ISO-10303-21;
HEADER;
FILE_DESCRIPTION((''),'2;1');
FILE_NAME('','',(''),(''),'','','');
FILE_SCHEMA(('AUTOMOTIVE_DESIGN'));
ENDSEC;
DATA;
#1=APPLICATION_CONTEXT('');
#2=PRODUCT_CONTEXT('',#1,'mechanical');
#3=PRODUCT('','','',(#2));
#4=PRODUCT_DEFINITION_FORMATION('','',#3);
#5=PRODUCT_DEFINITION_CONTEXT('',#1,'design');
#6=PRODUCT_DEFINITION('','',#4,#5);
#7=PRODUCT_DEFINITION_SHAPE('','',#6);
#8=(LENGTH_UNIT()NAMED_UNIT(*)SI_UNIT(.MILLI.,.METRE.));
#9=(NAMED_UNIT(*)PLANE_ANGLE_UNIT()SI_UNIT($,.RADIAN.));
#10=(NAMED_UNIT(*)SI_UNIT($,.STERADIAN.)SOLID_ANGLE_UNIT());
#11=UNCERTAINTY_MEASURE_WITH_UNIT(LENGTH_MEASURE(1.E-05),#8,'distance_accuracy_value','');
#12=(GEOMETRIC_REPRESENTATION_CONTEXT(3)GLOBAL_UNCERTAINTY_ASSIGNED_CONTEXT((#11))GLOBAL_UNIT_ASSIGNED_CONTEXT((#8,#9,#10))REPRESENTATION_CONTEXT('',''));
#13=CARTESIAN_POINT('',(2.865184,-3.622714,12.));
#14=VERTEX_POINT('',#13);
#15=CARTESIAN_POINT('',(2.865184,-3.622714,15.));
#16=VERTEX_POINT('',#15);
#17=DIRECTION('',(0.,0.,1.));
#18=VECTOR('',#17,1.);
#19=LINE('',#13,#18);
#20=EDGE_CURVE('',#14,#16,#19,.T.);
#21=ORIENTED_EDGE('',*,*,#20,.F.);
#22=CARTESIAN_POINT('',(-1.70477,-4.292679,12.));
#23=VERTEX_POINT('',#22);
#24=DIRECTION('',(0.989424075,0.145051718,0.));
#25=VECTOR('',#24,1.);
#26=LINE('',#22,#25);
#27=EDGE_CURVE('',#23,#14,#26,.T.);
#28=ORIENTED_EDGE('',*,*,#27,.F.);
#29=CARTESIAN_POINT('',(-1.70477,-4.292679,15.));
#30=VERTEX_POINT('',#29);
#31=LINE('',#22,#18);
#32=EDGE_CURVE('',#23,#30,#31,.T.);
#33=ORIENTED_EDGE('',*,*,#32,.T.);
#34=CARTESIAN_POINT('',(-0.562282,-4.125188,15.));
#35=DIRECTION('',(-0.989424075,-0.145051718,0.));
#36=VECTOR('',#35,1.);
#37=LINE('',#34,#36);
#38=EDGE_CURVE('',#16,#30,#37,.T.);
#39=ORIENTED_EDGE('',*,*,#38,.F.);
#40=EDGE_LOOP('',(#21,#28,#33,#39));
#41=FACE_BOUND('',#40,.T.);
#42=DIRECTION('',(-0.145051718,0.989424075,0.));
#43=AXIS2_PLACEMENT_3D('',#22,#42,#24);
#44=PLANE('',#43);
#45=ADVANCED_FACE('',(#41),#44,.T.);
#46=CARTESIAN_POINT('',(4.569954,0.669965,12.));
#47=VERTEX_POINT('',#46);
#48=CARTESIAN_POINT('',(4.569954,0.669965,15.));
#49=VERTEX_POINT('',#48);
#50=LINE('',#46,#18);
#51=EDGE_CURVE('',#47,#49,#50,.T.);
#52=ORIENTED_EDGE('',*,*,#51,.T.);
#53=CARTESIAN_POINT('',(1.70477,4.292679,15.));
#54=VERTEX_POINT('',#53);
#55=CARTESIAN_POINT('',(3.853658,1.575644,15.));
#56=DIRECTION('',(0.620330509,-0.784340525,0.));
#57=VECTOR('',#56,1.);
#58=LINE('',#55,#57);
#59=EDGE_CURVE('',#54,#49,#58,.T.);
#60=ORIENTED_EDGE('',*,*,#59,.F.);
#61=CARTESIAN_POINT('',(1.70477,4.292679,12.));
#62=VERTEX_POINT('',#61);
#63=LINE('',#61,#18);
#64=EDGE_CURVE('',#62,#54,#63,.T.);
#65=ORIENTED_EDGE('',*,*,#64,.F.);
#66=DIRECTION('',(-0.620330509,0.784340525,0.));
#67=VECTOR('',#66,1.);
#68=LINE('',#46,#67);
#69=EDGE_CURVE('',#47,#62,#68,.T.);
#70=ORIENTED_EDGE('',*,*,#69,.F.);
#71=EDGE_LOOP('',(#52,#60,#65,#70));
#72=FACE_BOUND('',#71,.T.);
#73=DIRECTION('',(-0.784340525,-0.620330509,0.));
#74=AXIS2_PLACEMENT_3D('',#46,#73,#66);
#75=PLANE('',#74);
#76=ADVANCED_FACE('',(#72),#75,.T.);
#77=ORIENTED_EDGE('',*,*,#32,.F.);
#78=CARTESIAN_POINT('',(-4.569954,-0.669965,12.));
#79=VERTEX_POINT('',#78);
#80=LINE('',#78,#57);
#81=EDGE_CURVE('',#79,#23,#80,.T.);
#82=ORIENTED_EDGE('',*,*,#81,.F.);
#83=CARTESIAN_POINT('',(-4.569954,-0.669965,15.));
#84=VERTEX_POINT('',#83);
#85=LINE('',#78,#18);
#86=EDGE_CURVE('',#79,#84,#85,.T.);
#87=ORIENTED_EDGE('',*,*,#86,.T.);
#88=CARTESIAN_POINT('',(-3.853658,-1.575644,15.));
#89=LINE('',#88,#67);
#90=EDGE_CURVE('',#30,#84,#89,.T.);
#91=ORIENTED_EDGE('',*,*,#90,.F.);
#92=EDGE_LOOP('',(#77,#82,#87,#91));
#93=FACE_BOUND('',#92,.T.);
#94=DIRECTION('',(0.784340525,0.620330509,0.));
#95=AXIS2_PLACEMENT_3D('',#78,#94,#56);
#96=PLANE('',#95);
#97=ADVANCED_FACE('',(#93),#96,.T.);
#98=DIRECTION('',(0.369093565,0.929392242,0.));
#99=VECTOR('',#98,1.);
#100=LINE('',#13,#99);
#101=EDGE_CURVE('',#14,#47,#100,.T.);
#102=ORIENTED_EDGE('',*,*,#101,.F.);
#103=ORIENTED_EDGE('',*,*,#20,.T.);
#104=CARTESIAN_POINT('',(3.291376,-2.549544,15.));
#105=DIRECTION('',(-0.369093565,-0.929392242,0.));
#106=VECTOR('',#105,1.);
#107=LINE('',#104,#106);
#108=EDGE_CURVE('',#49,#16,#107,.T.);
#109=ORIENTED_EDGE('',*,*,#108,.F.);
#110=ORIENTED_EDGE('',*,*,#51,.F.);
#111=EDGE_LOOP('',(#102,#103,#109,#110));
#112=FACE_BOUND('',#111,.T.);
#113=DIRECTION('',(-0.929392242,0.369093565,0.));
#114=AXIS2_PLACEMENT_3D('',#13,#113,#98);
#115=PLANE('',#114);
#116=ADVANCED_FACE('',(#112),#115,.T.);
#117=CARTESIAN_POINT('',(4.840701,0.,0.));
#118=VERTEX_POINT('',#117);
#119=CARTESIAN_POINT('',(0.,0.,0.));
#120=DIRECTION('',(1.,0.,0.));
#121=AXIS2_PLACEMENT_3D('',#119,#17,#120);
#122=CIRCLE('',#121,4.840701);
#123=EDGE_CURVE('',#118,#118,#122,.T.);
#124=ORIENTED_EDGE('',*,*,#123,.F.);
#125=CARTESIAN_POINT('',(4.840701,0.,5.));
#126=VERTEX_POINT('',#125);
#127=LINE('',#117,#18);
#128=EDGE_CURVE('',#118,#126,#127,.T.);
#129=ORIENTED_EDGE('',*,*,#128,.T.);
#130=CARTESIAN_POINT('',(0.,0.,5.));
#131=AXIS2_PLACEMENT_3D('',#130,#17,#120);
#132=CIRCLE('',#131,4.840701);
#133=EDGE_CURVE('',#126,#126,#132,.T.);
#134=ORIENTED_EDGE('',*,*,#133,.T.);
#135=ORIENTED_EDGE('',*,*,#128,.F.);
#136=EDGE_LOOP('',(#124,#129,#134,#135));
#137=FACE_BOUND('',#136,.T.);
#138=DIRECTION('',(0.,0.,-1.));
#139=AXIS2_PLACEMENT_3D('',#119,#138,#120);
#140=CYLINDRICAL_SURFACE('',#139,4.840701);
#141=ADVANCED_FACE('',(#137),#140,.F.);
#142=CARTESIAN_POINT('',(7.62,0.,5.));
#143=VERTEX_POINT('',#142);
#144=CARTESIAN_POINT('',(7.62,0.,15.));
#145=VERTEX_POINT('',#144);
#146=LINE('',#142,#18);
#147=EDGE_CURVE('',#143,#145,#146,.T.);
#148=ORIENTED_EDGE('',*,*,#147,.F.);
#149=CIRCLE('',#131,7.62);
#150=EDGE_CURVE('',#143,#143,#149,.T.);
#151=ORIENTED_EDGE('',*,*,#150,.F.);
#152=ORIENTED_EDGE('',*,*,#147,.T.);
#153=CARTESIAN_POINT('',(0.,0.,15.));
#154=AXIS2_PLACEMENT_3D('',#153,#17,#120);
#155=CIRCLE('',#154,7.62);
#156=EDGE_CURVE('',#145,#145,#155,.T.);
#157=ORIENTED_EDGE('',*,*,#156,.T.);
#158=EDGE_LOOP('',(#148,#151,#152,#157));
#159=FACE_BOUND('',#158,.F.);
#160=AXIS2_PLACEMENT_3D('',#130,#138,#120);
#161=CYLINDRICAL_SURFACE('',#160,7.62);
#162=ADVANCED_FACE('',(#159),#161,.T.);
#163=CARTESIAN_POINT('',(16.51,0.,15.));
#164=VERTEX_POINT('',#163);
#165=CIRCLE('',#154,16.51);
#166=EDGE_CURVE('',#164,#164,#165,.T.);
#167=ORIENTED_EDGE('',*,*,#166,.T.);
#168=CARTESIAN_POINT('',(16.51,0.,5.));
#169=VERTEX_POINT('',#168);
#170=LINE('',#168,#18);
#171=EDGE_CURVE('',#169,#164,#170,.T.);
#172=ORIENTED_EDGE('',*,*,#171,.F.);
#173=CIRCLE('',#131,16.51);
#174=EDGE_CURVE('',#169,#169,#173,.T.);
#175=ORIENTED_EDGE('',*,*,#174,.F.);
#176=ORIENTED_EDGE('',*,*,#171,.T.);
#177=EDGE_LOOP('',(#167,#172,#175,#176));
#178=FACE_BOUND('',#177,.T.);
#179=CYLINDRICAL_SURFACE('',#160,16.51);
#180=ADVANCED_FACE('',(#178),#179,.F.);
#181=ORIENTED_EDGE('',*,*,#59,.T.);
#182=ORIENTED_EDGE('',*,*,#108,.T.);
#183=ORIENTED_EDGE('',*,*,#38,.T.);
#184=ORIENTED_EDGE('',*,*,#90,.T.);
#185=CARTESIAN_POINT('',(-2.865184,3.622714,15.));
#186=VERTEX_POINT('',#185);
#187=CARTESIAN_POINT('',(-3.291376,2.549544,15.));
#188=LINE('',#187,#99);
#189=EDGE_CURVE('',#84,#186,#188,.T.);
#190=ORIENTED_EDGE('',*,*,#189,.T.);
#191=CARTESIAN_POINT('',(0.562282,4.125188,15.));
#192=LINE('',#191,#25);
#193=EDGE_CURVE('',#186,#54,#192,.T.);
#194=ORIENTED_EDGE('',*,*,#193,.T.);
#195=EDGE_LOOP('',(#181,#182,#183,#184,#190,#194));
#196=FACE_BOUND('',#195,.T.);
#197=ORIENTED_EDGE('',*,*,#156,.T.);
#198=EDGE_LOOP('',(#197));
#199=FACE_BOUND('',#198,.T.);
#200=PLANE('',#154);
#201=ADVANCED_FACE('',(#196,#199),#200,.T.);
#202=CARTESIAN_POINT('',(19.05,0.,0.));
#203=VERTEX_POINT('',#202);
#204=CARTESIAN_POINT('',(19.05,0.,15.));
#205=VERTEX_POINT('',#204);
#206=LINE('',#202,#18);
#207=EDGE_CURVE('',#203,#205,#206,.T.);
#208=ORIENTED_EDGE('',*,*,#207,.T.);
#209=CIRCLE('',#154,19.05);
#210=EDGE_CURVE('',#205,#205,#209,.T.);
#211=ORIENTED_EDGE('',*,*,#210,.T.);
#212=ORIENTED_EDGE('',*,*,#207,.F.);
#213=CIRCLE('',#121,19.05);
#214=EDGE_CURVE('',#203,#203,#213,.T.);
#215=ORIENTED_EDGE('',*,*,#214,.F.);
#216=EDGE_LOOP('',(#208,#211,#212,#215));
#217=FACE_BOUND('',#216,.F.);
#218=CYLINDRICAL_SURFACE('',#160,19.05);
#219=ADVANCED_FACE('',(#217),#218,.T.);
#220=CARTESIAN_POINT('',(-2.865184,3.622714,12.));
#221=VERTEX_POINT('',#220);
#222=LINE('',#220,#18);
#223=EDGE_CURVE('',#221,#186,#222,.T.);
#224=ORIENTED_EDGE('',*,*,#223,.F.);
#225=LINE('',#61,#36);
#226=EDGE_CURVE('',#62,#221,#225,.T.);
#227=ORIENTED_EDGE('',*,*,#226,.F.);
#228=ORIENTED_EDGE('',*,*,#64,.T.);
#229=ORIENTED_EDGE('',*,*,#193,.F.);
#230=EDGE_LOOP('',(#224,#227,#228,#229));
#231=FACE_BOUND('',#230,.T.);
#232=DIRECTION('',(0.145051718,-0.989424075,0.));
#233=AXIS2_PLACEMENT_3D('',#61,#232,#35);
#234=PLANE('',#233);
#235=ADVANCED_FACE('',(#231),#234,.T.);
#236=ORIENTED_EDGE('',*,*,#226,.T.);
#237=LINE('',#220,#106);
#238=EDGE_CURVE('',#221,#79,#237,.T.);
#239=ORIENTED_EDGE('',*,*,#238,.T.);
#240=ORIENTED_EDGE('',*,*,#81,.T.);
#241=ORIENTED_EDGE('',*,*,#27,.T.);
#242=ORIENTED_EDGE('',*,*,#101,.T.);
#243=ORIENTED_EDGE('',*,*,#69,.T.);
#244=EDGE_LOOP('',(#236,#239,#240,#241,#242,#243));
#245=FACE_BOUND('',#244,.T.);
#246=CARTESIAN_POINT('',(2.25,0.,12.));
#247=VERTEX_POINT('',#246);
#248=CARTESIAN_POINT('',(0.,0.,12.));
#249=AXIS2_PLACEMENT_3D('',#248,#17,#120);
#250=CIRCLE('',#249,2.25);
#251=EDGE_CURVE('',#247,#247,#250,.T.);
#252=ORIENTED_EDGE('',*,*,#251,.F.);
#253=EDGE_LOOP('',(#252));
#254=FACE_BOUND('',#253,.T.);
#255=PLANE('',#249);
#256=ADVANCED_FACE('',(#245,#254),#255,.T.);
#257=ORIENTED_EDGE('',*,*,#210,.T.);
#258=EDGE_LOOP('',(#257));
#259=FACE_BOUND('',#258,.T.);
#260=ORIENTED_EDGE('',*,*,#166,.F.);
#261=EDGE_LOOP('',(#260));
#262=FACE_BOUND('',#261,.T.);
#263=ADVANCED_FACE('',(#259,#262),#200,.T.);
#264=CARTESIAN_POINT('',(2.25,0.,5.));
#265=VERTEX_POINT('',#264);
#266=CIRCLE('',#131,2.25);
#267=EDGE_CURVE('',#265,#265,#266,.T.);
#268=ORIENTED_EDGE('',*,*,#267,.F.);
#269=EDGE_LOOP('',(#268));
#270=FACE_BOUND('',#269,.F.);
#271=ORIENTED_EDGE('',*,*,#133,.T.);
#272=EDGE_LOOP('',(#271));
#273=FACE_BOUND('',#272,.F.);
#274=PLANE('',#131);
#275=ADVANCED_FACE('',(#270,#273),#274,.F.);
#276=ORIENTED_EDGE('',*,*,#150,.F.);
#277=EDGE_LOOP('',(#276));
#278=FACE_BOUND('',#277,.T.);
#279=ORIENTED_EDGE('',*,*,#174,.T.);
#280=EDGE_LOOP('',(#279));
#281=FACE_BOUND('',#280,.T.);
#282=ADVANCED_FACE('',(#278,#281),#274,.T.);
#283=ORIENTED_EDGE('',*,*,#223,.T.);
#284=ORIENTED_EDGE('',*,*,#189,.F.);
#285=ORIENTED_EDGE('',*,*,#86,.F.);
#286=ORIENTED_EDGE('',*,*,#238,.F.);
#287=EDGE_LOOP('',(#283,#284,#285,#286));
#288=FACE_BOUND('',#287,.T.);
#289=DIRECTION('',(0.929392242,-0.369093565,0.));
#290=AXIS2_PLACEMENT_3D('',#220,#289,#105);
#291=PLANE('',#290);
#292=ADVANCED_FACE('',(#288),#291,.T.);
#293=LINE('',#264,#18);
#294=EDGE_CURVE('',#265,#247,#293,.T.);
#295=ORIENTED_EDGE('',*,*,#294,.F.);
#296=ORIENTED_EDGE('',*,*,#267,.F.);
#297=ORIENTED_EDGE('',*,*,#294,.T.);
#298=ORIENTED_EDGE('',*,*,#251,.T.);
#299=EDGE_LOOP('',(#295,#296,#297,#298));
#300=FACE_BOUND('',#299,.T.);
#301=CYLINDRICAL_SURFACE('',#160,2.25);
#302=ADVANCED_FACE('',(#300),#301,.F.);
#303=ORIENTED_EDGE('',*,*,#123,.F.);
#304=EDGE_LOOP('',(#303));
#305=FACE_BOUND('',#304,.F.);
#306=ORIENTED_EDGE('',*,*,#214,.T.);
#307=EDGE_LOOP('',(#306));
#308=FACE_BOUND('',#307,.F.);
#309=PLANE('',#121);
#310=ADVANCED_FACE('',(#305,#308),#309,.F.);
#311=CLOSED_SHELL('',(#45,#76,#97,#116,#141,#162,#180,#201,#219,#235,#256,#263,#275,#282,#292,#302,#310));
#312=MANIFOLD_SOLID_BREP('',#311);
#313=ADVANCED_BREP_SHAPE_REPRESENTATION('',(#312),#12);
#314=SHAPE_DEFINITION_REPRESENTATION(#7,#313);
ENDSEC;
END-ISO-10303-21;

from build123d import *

# Parameters (mm, degrees)
F0_R     = 19.05
F0_R_2   = 16.51
F0_R_3   = 7.62
F0_R_4   = 4.8407005088
F1_DEPTH = 5
F2_START = 5
F0_R_5   = 2.25
F2_DEPTH = 10
F3_START = 12
F3_DEPTH = 8


with BuildPart() as f1:
    # F0 (on Top) → F1 (new body)
    with BuildSketch(Plane.XY):
        Circle(F0_R)
        Circle(F0_R_2, mode=Mode.SUBTRACT)
        Circle(F0_R_2)
        Circle(F0_R_3, mode=Mode.SUBTRACT)
        Circle(F0_R_3)
        Circle(F0_R_4, mode=Mode.SUBTRACT)
    extrude(amount=F1_DEPTH)

    # F0 (on Top) → F2 (join)
    with BuildSketch(Plane.XY.offset(F2_START)):
        Circle(F0_R)
        Circle(F0_R_2, mode=Mode.SUBTRACT)
        Circle(F0_R_3)
        Circle(F0_R_4, mode=Mode.SUBTRACT)
        Circle(F0_R_4)
        Polygon((-2.865183893, 3.6227137055), (1.7047701531, 4.2926788907), (4.5699540462, 0.6699651851), (2.865183893, -3.6227137055), (-1.7047701531, -4.2926788907), (-4.5699540462, -0.6699651851), align=None, mode=Mode.SUBTRACT)
        Polygon((4.5699540462, 0.6699651851), (1.7047701531, 4.2926788907), (-2.865183893, 3.6227137055), (-4.5699540462, -0.6699651851), (-1.7047701531, -4.2926788907), (2.865183893, -3.6227137055), align=None)
        Circle(F0_R_5, mode=Mode.SUBTRACT)
    extrude(amount=F2_DEPTH)

    # F0 (on Top) → F3 (cut)
    with BuildSketch(Plane.XY.offset(F3_START)):
        Polygon((4.5699540462, 0.6699651851), (1.7047701531, 4.2926788907), (-2.865183893, 3.6227137055), (-4.5699540462, -0.6699651851), (-1.7047701531, -4.2926788907), (2.865183893, -3.6227137055), align=None)
        Circle(F0_R_5, mode=Mode.SUBTRACT)
    extrude(amount=F3_DEPTH, mode=Mode.SUBTRACT)


solid = f1.part
